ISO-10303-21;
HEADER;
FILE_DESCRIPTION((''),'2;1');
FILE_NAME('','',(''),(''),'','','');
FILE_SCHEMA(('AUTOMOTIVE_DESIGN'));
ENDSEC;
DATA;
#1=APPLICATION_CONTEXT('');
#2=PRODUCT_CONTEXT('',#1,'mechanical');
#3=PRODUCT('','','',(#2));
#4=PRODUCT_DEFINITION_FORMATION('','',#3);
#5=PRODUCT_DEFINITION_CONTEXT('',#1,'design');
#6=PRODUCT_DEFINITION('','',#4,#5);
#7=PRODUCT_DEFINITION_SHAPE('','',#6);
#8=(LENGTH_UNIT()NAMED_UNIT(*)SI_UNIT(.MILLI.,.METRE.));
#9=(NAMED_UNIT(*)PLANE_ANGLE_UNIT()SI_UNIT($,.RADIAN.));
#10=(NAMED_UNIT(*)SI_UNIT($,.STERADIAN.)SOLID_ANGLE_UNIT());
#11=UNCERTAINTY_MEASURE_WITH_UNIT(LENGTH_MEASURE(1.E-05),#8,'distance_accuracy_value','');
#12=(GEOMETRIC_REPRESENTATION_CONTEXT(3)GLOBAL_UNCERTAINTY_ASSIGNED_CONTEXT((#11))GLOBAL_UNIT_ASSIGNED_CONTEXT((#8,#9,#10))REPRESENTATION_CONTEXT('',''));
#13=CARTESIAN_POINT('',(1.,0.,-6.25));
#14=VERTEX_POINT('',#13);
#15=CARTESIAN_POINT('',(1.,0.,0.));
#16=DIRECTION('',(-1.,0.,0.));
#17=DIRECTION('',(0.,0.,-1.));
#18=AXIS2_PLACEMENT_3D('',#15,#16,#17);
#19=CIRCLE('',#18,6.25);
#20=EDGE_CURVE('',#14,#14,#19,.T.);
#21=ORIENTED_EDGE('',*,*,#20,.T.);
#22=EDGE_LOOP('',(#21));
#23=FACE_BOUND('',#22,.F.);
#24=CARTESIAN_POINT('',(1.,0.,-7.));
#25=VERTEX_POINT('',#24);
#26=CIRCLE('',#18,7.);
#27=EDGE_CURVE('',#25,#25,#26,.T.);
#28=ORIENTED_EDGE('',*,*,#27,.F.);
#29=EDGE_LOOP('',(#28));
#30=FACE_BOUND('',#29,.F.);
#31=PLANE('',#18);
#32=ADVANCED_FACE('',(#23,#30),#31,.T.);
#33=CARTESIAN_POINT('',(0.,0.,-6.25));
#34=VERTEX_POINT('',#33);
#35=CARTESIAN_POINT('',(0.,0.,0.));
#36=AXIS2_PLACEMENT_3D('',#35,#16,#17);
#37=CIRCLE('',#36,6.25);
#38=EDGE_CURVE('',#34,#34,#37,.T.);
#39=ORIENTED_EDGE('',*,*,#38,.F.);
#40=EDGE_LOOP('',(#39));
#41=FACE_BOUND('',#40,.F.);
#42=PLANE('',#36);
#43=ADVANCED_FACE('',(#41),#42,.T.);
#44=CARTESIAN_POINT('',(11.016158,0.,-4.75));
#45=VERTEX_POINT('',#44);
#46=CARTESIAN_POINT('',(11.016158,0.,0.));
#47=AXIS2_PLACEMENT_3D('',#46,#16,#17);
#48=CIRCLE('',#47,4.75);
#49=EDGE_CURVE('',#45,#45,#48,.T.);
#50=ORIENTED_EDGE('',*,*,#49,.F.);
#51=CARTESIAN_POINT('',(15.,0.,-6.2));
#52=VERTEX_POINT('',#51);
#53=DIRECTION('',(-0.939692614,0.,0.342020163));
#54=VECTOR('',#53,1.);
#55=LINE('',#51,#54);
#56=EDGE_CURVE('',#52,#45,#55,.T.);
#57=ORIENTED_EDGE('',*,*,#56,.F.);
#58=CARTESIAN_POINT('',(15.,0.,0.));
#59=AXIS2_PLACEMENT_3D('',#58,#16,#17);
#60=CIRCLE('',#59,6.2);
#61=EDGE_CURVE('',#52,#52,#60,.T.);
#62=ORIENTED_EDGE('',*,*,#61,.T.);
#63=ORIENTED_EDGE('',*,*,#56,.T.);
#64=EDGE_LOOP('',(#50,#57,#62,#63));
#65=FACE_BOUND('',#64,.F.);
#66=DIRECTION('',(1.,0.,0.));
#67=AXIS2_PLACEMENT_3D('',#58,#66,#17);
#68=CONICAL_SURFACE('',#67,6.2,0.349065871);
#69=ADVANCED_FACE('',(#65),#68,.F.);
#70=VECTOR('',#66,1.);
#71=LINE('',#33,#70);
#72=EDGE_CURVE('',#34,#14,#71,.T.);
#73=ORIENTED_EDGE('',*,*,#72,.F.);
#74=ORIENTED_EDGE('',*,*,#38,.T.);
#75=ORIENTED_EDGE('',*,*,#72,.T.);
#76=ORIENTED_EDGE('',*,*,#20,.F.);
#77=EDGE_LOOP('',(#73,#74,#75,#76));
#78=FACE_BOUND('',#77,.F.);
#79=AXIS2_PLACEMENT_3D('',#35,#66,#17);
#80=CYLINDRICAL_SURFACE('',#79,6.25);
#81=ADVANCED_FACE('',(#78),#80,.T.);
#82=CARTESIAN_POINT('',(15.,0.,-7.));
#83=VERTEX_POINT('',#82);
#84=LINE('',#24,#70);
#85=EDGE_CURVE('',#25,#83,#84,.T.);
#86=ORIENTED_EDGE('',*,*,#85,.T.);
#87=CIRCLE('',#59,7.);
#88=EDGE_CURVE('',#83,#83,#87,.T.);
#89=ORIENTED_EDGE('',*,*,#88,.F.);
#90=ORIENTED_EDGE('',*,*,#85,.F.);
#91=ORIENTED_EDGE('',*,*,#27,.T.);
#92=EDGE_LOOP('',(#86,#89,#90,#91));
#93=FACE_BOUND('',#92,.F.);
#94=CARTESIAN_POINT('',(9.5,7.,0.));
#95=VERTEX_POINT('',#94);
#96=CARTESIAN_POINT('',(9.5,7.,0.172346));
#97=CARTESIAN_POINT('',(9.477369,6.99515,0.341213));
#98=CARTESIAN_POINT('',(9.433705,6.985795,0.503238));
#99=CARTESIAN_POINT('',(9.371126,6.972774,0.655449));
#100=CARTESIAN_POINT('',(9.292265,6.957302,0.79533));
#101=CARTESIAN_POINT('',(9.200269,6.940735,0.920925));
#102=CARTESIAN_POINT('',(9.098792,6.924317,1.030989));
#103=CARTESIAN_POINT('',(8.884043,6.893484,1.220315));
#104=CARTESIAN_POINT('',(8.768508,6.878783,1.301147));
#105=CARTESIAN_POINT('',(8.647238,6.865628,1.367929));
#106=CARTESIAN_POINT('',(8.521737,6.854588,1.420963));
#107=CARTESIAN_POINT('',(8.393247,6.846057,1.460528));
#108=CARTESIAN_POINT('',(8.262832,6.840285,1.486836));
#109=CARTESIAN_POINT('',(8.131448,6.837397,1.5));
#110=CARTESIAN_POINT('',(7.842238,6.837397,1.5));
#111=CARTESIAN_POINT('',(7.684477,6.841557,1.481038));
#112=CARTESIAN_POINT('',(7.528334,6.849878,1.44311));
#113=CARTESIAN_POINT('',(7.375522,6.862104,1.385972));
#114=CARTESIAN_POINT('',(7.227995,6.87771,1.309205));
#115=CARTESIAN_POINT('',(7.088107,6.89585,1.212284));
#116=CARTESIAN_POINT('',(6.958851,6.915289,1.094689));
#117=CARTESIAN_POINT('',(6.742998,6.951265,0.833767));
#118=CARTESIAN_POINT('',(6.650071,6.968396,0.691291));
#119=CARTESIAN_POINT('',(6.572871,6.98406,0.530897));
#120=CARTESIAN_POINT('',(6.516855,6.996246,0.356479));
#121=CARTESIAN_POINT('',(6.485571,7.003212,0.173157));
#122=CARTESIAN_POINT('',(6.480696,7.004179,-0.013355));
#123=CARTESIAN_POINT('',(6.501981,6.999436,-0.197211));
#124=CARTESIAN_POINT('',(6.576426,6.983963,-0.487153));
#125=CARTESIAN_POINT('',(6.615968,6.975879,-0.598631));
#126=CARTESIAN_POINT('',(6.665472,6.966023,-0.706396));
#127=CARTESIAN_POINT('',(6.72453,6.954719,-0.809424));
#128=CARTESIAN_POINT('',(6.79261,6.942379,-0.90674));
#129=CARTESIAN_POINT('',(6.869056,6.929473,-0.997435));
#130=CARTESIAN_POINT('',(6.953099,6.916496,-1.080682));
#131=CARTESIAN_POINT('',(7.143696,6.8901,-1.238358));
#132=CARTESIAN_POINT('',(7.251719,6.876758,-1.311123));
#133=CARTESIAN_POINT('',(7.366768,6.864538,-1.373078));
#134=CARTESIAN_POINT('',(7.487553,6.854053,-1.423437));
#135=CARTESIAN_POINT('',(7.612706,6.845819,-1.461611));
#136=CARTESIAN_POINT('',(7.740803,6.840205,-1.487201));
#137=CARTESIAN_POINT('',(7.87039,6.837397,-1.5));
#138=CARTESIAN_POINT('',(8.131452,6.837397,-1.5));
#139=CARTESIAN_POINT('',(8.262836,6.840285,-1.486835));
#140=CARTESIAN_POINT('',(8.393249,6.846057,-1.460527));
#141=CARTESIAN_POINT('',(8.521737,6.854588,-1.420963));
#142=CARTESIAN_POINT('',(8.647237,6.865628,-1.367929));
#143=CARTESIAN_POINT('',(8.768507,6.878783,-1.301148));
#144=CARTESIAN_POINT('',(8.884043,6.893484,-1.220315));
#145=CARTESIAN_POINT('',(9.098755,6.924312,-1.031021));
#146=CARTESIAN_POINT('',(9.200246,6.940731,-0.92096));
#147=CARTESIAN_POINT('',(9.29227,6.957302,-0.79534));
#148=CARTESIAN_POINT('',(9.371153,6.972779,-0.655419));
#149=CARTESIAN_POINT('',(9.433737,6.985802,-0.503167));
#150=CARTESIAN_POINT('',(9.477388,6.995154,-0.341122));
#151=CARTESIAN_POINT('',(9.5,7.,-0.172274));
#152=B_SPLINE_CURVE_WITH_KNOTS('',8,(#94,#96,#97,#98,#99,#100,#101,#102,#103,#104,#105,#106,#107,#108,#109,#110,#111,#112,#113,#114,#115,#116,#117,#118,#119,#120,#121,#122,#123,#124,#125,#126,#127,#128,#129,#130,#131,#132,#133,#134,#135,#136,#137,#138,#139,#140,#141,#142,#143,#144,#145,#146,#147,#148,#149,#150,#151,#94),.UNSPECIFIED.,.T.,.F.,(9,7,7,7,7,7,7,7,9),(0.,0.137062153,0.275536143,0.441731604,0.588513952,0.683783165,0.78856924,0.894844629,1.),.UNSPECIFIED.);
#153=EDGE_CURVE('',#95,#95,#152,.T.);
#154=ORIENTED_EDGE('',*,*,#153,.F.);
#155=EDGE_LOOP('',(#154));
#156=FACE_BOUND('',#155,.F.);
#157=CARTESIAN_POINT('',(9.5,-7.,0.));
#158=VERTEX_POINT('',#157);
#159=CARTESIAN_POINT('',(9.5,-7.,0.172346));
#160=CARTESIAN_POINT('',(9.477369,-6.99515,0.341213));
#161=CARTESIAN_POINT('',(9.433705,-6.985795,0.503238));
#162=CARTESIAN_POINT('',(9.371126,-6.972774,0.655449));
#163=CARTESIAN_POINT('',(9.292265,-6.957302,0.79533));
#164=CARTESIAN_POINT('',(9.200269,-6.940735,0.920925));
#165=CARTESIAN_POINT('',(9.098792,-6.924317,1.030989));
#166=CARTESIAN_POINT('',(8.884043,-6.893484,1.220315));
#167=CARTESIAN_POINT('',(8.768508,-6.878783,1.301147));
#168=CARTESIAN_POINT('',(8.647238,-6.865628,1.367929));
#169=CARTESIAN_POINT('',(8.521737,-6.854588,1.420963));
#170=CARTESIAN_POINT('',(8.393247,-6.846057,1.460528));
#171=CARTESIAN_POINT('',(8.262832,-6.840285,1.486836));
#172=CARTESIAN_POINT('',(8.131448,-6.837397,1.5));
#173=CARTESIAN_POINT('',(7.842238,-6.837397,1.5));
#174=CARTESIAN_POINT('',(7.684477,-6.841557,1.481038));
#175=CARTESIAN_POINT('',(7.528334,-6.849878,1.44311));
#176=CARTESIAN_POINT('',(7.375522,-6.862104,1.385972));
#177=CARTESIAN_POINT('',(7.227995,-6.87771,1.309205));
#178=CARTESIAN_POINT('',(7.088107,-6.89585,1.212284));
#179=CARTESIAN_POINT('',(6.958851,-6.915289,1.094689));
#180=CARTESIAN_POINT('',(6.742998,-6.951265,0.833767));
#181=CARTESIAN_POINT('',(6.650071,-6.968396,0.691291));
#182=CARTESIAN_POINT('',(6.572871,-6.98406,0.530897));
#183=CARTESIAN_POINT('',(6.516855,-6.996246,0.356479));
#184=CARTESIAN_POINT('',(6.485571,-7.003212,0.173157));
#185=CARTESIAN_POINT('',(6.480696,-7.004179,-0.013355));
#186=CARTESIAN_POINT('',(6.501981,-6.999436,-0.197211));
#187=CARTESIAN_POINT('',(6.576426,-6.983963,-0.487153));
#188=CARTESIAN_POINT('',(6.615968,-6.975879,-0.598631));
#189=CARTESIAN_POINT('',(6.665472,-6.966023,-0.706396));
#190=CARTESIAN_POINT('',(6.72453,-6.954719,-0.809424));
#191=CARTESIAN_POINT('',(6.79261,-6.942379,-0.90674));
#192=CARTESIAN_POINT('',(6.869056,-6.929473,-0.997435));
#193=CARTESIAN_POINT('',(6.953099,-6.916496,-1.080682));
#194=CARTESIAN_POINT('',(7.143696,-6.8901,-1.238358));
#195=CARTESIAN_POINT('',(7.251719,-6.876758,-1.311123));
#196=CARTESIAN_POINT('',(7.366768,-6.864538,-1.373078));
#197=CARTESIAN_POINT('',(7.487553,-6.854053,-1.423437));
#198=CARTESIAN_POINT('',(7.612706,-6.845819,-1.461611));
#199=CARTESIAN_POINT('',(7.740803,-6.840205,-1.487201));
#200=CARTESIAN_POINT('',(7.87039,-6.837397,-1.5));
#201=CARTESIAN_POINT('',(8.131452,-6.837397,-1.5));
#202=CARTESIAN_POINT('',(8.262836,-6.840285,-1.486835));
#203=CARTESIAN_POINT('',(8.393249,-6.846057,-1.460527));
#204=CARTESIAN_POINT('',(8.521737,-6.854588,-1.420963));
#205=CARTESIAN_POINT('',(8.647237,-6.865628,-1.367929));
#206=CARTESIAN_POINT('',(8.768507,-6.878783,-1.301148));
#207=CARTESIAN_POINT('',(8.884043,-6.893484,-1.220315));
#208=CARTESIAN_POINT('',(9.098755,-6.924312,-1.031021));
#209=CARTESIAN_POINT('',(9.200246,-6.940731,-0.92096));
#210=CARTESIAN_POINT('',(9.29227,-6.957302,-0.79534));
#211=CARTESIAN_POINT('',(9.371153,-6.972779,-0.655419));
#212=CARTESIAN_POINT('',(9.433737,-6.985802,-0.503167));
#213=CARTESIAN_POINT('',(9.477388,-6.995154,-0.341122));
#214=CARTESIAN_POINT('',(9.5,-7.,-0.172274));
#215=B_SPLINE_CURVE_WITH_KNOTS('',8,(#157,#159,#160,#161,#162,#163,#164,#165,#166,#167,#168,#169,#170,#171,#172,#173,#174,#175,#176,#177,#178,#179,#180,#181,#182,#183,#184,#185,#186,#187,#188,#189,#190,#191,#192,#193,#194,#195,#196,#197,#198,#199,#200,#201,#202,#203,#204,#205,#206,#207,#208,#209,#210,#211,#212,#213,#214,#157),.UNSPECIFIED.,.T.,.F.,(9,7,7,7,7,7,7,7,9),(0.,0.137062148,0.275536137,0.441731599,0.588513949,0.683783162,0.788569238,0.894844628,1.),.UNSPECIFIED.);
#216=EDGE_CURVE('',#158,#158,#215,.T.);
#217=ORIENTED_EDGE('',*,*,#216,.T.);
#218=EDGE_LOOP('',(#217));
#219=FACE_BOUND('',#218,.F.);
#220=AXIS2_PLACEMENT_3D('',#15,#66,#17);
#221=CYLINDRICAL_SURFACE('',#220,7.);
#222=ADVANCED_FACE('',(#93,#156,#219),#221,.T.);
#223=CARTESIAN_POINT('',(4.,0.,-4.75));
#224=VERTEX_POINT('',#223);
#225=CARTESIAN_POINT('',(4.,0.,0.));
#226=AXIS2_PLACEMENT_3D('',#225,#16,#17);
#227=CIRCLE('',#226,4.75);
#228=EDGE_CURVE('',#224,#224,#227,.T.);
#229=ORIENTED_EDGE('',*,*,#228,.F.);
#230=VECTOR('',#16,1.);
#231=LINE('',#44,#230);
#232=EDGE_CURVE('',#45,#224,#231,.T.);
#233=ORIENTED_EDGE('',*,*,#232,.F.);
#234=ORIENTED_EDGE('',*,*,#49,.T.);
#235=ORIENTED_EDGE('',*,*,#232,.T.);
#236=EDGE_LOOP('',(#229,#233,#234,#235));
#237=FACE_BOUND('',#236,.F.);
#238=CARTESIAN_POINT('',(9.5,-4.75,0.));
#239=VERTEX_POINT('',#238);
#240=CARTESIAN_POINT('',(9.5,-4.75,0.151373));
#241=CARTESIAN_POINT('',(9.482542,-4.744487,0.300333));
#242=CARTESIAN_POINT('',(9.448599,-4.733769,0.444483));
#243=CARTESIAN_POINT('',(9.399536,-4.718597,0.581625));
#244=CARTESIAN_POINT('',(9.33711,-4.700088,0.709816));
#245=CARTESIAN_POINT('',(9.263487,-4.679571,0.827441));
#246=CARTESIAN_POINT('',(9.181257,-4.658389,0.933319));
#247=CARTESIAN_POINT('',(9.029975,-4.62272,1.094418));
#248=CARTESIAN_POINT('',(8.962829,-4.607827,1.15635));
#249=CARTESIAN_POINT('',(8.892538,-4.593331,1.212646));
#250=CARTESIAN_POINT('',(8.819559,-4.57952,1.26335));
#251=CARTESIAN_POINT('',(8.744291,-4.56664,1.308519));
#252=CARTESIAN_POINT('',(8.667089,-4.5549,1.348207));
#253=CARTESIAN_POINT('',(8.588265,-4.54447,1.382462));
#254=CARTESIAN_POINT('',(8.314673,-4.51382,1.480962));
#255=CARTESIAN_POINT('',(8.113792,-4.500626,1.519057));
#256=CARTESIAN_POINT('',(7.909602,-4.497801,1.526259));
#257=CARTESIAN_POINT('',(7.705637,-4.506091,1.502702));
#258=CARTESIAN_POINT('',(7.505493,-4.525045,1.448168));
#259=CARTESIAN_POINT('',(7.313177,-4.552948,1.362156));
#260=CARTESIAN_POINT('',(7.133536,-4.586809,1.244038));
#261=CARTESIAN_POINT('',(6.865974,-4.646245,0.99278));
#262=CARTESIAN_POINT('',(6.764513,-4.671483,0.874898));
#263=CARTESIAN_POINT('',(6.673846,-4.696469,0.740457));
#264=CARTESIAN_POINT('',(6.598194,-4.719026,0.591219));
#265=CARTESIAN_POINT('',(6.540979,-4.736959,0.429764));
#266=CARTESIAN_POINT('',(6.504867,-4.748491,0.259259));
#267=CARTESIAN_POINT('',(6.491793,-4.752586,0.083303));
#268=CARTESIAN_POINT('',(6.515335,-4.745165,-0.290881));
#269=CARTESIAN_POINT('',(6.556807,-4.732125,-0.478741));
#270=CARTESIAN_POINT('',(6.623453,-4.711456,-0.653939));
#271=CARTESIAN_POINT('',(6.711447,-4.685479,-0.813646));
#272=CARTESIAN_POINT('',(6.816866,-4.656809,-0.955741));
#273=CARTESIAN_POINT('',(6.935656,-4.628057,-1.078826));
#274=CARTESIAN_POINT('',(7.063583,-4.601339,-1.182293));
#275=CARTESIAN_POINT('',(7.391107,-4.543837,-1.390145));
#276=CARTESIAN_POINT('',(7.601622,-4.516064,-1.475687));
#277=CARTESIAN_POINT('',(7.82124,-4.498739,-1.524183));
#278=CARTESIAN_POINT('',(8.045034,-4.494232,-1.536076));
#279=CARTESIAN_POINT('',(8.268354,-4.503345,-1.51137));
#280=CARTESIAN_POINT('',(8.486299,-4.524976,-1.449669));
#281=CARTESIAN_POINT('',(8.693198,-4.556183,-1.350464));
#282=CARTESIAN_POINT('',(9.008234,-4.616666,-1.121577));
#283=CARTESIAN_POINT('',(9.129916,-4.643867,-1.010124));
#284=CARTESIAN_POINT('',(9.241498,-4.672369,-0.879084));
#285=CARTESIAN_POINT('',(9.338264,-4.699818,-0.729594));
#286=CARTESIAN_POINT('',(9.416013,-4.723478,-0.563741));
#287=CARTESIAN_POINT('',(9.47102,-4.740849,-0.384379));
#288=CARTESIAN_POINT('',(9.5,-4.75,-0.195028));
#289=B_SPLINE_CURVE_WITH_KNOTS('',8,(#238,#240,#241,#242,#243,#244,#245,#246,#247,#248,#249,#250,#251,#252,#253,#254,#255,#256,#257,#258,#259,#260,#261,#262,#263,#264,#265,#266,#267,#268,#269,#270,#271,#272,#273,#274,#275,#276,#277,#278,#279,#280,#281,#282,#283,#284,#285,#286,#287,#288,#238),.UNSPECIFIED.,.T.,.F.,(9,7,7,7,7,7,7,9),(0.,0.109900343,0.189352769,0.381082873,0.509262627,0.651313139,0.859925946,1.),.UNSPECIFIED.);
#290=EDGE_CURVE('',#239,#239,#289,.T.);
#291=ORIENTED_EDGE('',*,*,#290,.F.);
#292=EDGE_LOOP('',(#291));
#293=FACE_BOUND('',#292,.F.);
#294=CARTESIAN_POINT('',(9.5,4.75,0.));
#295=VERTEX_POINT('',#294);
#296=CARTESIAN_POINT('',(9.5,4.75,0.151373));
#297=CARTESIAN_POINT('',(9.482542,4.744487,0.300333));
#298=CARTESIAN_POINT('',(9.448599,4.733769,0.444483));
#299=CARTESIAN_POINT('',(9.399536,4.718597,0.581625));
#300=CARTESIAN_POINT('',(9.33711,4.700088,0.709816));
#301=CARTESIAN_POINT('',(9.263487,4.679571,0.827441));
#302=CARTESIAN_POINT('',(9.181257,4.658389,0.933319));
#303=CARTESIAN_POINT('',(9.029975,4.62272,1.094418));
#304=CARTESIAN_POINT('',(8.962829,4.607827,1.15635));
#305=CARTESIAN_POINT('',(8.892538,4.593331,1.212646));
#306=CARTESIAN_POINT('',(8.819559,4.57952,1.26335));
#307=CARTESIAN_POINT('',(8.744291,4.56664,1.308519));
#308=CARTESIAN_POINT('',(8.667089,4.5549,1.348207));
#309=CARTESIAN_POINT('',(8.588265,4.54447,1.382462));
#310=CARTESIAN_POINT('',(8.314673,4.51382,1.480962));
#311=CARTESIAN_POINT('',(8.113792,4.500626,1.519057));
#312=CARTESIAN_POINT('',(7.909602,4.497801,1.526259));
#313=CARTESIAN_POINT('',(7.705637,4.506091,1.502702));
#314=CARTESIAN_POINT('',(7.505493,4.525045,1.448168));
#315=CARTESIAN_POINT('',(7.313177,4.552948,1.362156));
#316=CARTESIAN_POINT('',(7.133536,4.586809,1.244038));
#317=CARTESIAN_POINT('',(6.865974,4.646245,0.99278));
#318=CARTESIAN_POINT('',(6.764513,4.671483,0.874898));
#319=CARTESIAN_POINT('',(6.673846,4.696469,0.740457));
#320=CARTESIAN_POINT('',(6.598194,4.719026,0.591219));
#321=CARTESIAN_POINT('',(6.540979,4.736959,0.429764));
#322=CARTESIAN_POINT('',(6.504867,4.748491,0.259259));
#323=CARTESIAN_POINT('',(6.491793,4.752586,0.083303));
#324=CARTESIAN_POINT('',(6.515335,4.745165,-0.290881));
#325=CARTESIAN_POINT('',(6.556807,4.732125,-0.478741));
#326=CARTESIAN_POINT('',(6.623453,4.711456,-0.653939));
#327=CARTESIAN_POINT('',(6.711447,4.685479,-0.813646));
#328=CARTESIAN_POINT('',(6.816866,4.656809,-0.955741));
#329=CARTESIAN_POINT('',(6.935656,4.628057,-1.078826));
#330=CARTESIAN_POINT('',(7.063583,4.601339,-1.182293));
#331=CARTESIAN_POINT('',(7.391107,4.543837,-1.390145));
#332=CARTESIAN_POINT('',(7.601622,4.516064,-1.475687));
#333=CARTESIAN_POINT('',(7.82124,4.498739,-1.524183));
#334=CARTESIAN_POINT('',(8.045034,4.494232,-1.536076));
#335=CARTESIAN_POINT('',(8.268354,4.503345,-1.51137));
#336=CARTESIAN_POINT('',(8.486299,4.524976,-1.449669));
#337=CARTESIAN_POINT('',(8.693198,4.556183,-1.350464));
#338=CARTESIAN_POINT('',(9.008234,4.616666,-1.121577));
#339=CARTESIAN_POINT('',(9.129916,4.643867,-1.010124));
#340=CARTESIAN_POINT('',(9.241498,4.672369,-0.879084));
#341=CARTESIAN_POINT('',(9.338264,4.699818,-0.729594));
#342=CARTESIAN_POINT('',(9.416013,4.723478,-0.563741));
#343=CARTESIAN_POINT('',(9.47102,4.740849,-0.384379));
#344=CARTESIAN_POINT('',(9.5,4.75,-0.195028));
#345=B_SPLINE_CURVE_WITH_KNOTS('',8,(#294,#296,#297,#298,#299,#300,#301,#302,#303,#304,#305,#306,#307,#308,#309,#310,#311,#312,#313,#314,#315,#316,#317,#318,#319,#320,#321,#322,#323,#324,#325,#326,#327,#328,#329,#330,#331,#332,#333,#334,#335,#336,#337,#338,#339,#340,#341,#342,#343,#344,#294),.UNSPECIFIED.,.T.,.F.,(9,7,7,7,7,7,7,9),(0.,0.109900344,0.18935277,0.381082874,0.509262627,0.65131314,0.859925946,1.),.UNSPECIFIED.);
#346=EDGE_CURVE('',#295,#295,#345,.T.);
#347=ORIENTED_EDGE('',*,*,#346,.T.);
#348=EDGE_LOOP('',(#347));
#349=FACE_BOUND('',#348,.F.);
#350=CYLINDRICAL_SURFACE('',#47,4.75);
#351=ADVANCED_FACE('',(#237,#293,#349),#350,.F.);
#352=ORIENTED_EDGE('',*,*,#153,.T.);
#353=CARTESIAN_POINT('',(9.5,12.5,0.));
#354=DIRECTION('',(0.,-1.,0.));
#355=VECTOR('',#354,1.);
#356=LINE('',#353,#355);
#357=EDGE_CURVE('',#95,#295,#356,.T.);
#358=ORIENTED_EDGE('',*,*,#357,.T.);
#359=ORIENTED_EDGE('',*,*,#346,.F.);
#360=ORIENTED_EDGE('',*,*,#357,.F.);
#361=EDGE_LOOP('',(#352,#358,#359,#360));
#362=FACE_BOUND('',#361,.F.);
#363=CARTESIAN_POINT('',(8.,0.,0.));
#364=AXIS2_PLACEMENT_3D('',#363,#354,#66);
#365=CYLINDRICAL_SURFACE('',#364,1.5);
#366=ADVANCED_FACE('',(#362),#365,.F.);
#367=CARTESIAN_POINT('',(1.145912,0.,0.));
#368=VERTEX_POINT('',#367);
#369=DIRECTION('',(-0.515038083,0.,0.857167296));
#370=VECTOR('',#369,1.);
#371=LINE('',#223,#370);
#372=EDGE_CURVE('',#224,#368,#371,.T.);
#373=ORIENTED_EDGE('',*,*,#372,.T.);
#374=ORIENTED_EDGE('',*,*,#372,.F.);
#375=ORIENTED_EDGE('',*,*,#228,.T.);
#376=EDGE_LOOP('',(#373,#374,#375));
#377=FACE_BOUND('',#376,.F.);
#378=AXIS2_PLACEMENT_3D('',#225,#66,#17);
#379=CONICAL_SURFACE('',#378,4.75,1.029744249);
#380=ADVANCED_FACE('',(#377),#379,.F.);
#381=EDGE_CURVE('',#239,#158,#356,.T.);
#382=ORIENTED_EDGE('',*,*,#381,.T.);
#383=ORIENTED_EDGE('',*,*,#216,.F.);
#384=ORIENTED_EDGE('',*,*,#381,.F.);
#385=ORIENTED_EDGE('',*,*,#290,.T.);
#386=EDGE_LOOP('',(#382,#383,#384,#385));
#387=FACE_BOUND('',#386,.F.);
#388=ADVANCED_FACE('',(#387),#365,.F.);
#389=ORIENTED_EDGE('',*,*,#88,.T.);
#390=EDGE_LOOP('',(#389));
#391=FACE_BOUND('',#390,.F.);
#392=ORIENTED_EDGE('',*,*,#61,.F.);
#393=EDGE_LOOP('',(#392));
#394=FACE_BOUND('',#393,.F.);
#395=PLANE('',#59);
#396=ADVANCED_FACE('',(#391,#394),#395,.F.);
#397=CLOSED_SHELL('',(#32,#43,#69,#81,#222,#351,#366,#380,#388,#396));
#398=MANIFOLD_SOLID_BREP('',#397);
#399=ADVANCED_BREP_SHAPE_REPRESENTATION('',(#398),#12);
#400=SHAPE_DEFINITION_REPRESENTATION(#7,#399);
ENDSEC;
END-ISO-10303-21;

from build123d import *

# Parameters (mm, degrees)
F2_R     = 1.5
F3_DEPTH = 12.5


with BuildPart() as f1:
    # F0 (on Front) → F1 (revolve)
    with BuildSketch(Plane.XZ):
        Polygon((1.145912, 0), (0, 0), (0, -6.25), (1, -6.25), (1, -7), (15, -7), (15, -6.2), (11.016158, -4.75), (4, -4.75), align=None)
    revolve(axis=Axis((0.572956, 0, 0), (-1, 0, 0)))

    # F2 (on Front) → F3 (cut, symmetric)
    with BuildSketch(Plane.XZ):
        with Locations((8, 0)):
            Circle(F2_R)
    extrude(amount=F3_DEPTH, both=True, mode=Mode.SUBTRACT)


solid = f1.part
